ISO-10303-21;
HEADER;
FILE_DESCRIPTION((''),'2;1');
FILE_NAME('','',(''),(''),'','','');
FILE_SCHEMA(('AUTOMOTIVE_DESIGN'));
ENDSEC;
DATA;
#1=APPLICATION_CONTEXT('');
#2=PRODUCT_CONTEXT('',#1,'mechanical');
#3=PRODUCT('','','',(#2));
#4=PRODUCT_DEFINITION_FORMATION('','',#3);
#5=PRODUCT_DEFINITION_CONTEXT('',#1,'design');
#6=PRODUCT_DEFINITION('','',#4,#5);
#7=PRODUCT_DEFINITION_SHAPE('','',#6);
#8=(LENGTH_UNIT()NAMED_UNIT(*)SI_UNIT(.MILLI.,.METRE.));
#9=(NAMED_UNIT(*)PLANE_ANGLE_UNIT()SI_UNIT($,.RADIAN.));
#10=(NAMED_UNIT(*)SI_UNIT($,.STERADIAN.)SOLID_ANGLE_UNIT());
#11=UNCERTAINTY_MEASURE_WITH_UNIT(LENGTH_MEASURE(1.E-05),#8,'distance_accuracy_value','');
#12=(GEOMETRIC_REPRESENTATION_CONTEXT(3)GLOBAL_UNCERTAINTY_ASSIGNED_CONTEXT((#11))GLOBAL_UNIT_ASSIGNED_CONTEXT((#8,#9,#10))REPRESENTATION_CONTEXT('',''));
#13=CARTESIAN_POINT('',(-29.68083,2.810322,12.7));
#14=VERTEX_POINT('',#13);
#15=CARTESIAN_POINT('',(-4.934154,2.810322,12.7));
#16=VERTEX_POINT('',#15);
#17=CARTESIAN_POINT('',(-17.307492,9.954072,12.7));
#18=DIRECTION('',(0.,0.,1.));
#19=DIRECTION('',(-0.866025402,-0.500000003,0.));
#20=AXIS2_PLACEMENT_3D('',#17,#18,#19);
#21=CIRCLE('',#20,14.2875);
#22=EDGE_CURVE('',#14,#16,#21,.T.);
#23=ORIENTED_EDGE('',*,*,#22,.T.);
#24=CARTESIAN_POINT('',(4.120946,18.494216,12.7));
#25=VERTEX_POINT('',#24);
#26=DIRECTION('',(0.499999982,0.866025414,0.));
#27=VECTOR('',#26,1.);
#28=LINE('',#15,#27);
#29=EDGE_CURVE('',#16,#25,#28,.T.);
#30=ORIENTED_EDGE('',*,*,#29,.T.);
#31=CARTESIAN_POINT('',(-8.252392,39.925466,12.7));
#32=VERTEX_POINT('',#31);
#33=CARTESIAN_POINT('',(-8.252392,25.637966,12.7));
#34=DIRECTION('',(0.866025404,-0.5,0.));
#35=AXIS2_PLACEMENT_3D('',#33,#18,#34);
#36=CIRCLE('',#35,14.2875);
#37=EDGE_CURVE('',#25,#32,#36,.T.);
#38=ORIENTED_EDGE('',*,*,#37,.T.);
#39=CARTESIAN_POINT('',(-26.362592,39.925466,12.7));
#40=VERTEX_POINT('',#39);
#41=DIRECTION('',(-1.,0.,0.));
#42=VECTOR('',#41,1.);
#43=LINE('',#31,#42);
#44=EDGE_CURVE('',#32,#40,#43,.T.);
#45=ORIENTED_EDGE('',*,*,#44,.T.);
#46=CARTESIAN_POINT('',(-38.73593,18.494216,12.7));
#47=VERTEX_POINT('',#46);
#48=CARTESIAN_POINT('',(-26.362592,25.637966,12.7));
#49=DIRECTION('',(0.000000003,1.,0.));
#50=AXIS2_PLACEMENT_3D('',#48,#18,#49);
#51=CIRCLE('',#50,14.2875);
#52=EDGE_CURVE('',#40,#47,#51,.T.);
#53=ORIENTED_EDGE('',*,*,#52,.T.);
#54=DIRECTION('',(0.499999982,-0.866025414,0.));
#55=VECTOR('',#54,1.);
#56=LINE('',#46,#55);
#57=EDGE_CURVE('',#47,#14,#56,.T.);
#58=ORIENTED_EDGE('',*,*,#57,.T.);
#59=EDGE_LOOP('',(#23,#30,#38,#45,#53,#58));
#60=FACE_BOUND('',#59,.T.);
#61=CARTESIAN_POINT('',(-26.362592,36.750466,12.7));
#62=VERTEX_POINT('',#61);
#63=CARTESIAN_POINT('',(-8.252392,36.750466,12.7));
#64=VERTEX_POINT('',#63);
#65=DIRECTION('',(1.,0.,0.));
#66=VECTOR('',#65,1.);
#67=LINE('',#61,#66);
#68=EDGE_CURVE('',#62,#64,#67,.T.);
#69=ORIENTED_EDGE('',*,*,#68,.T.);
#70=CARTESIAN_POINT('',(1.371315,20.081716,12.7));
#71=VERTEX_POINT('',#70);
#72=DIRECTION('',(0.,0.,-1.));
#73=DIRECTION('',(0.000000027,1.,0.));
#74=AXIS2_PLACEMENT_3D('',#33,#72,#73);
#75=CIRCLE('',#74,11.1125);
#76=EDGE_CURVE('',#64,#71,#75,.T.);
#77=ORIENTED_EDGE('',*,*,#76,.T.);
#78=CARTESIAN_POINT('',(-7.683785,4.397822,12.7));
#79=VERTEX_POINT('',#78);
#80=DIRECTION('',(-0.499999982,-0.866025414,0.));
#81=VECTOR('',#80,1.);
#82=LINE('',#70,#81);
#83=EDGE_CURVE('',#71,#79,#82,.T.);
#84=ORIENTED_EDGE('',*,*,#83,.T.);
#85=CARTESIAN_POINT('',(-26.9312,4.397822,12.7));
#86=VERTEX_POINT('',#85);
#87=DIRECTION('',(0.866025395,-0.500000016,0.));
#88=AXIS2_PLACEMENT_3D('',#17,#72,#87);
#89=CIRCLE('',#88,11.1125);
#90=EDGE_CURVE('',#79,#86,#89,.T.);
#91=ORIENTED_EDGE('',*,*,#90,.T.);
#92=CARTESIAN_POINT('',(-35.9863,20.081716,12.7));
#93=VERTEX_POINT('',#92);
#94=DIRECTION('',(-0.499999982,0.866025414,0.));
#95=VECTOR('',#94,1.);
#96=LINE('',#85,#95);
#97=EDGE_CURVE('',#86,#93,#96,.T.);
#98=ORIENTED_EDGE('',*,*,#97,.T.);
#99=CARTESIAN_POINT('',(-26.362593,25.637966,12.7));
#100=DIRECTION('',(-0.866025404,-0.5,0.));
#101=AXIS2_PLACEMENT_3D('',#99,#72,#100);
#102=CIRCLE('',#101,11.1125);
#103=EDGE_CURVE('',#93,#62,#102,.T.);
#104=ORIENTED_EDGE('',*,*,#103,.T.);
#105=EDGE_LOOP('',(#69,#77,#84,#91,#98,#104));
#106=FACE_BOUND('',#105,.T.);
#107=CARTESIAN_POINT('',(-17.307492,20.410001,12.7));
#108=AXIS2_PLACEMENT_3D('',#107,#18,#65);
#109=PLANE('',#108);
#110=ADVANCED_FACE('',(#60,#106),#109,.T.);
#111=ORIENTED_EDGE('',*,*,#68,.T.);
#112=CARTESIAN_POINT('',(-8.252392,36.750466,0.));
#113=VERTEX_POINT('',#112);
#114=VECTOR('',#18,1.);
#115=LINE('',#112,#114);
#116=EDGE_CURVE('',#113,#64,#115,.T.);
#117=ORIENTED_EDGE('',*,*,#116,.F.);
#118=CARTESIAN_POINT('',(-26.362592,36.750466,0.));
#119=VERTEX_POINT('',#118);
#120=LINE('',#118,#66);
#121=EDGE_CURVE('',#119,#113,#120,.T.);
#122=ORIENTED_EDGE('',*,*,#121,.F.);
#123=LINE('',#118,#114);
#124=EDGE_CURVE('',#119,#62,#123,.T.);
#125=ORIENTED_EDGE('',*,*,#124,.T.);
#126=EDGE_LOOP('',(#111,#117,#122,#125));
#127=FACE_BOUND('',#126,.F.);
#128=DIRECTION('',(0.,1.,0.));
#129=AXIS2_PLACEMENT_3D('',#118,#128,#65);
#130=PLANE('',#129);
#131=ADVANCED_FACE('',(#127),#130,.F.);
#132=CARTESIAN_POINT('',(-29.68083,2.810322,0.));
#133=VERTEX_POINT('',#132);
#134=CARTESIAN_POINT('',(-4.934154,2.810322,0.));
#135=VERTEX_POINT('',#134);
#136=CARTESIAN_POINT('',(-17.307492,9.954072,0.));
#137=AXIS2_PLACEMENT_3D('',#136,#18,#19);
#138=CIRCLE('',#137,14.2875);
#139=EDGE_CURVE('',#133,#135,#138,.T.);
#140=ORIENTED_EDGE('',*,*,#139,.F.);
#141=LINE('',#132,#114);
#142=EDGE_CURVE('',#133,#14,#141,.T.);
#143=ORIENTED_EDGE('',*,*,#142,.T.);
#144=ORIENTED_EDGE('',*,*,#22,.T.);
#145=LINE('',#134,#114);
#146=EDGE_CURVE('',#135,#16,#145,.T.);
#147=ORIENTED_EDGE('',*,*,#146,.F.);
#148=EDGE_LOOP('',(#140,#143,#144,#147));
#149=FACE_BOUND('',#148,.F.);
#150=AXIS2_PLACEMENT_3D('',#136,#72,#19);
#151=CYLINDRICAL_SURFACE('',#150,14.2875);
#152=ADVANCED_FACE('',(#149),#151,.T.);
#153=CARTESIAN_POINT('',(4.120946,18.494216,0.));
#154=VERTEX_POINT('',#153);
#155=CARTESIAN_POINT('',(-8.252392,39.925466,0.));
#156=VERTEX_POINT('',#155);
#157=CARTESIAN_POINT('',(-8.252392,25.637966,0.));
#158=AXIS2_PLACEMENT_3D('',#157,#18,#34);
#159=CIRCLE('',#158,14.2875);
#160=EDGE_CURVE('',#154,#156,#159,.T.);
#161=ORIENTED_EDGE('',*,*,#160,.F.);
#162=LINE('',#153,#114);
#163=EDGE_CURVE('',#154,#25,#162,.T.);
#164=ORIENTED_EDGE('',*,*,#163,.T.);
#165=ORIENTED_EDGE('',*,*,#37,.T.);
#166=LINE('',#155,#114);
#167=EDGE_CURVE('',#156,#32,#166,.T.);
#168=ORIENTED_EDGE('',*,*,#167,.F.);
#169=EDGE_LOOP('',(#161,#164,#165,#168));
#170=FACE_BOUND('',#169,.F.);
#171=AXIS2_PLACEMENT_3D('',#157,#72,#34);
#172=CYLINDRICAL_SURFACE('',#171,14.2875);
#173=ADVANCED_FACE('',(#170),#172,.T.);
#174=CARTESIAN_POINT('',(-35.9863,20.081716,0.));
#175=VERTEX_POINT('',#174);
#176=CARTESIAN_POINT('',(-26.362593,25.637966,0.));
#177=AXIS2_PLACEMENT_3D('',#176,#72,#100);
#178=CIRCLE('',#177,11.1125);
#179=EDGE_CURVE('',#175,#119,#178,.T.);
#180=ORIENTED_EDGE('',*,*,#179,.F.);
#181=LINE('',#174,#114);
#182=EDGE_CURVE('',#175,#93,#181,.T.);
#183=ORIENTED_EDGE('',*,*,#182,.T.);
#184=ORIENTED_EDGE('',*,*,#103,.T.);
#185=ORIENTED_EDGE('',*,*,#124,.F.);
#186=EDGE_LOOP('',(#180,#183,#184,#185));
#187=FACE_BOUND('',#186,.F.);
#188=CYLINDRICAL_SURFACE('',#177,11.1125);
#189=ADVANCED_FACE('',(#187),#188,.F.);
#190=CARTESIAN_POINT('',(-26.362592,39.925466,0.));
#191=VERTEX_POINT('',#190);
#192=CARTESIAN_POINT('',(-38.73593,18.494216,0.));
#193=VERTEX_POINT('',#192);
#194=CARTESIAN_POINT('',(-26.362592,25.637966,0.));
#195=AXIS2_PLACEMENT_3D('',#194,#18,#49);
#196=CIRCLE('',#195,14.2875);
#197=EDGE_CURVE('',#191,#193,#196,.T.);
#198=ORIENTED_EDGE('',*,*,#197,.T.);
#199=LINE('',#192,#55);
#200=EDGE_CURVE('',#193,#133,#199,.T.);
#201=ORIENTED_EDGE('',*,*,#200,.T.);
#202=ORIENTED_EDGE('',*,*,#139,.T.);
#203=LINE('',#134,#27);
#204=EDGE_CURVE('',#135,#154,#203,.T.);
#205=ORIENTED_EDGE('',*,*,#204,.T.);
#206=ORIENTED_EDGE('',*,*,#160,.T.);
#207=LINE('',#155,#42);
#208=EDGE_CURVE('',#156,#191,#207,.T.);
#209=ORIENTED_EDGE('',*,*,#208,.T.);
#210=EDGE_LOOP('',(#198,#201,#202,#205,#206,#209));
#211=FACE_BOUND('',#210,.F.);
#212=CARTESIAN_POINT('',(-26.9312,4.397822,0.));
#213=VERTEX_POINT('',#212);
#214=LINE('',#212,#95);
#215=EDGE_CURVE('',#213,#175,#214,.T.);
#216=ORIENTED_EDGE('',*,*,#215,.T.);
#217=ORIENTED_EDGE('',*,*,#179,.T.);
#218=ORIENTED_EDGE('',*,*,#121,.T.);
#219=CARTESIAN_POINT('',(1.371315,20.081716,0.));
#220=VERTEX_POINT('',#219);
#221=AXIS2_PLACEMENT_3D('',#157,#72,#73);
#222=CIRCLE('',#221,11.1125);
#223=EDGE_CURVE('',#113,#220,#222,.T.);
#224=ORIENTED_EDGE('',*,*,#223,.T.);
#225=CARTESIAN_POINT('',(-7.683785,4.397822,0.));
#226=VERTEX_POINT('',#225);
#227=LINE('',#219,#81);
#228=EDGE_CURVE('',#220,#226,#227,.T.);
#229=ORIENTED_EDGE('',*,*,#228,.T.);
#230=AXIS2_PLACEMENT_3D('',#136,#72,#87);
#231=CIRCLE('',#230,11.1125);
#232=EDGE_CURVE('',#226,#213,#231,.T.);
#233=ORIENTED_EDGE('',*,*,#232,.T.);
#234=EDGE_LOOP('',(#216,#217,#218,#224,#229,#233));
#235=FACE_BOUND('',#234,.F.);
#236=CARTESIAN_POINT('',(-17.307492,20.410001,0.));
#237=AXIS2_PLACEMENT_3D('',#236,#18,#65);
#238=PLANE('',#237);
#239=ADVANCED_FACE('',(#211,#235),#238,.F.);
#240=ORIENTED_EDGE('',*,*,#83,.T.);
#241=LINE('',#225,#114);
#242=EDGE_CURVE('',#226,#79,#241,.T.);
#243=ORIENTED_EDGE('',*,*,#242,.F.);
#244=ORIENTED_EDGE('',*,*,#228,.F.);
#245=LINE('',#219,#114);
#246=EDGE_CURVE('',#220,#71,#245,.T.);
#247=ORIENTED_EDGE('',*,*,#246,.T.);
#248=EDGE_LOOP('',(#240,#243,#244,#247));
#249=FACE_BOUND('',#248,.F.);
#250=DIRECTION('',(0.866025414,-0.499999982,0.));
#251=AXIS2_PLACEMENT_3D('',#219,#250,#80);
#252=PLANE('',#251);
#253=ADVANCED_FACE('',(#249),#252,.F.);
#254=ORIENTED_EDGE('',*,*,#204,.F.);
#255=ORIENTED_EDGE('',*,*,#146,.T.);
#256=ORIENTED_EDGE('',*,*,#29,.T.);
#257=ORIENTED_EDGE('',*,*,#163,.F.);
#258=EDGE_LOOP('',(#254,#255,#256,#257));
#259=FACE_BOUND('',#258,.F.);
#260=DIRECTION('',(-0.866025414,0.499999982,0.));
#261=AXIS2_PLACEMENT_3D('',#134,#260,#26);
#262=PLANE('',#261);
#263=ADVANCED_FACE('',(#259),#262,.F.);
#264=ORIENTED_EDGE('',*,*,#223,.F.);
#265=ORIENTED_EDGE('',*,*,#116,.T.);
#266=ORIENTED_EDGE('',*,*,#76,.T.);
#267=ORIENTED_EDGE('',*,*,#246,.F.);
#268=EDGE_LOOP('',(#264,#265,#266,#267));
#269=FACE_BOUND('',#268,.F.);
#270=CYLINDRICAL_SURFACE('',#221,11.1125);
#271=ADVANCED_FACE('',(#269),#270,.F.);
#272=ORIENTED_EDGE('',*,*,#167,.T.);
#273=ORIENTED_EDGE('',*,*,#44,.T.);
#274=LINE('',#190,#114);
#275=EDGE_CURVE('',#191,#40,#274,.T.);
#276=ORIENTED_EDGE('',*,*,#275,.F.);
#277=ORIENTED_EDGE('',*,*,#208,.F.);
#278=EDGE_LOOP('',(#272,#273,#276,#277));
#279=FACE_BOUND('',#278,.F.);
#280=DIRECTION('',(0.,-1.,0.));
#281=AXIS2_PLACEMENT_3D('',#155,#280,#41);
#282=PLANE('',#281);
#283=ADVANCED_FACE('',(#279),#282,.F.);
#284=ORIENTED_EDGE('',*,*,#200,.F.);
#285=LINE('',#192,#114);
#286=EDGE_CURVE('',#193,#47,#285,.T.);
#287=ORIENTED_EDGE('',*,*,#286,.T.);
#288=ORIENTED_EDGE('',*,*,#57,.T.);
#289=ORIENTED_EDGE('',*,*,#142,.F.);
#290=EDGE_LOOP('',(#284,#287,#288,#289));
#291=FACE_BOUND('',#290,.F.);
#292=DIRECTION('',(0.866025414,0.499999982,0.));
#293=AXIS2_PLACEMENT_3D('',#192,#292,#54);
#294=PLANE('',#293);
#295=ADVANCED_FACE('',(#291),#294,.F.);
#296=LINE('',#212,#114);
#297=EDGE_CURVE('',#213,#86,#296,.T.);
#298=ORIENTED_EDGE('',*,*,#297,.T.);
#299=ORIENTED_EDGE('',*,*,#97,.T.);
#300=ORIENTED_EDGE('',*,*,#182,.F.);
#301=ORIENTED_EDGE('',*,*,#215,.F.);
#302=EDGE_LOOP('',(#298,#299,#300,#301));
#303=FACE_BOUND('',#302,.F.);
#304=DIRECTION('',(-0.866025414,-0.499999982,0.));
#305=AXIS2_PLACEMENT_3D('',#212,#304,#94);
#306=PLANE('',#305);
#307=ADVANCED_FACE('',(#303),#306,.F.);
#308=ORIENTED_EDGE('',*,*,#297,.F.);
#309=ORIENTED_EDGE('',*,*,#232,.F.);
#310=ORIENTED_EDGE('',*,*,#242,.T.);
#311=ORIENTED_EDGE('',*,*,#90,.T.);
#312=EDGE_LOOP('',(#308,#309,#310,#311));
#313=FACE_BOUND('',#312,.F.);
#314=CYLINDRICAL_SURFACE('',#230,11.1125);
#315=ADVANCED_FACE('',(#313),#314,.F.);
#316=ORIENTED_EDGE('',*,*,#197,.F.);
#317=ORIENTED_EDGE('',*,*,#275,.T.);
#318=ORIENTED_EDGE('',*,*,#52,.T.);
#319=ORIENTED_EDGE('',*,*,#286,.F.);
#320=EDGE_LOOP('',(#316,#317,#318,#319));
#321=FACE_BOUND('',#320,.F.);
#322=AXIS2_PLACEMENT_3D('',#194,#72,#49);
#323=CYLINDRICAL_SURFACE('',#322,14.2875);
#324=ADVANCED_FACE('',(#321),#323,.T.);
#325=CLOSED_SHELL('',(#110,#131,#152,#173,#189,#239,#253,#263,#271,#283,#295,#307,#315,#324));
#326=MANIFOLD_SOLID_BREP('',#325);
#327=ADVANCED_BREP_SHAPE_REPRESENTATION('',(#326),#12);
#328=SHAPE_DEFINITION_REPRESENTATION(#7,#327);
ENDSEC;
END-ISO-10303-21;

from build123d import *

# Parameters (mm, degrees)
F1_DEPTH = 12.7


with BuildPart() as f1:
    # F0 (on Top) → F1 (new body)
    with BuildSketch(Plane.XY):
        with BuildLine():
            Line((-8.252392, 39.925466), (-26.362592, 39.925466))
            ThreePointArc((-26.362592, 39.925466), (-38.73593, 32.781716), (-38.73593, 18.494216))
            Line((-38.73593, 18.494216), (-29.68083, 2.810322))
            ThreePointArc((-29.68083, 2.810322), (-17.307492, -4.333428), (-4.934154, 2.810322))
            Line((-4.934154, 2.810322), (4.120946, 18.494216))
            ThreePointArc((4.120946, 18.494216), (4.120946, 32.781716), (-8.252392, 39.925466))
        make_face()
        with BuildLine():
            ThreePointArc((-35.9863, 20.081716), (-35.9863, 31.194216), (-26.362592, 36.750466))
            Line((-26.362592, 36.750466), (-8.252392, 36.750466))
            ThreePointArc((-8.252392, 36.750466), (1.371315, 31.194216), (1.371315, 20.081716))
            Line((1.371315, 20.081716), (-7.683785, 4.397822))
            ThreePointArc((-7.683785, 4.397822), (-17.307492, -1.158428), (-26.9312, 4.397822))
            Line((-26.9312, 4.397822), (-35.9863, 20.081716))
        make_face(mode=Mode.SUBTRACT)
    extrude(amount=F1_DEPTH)


solid = f1.part
